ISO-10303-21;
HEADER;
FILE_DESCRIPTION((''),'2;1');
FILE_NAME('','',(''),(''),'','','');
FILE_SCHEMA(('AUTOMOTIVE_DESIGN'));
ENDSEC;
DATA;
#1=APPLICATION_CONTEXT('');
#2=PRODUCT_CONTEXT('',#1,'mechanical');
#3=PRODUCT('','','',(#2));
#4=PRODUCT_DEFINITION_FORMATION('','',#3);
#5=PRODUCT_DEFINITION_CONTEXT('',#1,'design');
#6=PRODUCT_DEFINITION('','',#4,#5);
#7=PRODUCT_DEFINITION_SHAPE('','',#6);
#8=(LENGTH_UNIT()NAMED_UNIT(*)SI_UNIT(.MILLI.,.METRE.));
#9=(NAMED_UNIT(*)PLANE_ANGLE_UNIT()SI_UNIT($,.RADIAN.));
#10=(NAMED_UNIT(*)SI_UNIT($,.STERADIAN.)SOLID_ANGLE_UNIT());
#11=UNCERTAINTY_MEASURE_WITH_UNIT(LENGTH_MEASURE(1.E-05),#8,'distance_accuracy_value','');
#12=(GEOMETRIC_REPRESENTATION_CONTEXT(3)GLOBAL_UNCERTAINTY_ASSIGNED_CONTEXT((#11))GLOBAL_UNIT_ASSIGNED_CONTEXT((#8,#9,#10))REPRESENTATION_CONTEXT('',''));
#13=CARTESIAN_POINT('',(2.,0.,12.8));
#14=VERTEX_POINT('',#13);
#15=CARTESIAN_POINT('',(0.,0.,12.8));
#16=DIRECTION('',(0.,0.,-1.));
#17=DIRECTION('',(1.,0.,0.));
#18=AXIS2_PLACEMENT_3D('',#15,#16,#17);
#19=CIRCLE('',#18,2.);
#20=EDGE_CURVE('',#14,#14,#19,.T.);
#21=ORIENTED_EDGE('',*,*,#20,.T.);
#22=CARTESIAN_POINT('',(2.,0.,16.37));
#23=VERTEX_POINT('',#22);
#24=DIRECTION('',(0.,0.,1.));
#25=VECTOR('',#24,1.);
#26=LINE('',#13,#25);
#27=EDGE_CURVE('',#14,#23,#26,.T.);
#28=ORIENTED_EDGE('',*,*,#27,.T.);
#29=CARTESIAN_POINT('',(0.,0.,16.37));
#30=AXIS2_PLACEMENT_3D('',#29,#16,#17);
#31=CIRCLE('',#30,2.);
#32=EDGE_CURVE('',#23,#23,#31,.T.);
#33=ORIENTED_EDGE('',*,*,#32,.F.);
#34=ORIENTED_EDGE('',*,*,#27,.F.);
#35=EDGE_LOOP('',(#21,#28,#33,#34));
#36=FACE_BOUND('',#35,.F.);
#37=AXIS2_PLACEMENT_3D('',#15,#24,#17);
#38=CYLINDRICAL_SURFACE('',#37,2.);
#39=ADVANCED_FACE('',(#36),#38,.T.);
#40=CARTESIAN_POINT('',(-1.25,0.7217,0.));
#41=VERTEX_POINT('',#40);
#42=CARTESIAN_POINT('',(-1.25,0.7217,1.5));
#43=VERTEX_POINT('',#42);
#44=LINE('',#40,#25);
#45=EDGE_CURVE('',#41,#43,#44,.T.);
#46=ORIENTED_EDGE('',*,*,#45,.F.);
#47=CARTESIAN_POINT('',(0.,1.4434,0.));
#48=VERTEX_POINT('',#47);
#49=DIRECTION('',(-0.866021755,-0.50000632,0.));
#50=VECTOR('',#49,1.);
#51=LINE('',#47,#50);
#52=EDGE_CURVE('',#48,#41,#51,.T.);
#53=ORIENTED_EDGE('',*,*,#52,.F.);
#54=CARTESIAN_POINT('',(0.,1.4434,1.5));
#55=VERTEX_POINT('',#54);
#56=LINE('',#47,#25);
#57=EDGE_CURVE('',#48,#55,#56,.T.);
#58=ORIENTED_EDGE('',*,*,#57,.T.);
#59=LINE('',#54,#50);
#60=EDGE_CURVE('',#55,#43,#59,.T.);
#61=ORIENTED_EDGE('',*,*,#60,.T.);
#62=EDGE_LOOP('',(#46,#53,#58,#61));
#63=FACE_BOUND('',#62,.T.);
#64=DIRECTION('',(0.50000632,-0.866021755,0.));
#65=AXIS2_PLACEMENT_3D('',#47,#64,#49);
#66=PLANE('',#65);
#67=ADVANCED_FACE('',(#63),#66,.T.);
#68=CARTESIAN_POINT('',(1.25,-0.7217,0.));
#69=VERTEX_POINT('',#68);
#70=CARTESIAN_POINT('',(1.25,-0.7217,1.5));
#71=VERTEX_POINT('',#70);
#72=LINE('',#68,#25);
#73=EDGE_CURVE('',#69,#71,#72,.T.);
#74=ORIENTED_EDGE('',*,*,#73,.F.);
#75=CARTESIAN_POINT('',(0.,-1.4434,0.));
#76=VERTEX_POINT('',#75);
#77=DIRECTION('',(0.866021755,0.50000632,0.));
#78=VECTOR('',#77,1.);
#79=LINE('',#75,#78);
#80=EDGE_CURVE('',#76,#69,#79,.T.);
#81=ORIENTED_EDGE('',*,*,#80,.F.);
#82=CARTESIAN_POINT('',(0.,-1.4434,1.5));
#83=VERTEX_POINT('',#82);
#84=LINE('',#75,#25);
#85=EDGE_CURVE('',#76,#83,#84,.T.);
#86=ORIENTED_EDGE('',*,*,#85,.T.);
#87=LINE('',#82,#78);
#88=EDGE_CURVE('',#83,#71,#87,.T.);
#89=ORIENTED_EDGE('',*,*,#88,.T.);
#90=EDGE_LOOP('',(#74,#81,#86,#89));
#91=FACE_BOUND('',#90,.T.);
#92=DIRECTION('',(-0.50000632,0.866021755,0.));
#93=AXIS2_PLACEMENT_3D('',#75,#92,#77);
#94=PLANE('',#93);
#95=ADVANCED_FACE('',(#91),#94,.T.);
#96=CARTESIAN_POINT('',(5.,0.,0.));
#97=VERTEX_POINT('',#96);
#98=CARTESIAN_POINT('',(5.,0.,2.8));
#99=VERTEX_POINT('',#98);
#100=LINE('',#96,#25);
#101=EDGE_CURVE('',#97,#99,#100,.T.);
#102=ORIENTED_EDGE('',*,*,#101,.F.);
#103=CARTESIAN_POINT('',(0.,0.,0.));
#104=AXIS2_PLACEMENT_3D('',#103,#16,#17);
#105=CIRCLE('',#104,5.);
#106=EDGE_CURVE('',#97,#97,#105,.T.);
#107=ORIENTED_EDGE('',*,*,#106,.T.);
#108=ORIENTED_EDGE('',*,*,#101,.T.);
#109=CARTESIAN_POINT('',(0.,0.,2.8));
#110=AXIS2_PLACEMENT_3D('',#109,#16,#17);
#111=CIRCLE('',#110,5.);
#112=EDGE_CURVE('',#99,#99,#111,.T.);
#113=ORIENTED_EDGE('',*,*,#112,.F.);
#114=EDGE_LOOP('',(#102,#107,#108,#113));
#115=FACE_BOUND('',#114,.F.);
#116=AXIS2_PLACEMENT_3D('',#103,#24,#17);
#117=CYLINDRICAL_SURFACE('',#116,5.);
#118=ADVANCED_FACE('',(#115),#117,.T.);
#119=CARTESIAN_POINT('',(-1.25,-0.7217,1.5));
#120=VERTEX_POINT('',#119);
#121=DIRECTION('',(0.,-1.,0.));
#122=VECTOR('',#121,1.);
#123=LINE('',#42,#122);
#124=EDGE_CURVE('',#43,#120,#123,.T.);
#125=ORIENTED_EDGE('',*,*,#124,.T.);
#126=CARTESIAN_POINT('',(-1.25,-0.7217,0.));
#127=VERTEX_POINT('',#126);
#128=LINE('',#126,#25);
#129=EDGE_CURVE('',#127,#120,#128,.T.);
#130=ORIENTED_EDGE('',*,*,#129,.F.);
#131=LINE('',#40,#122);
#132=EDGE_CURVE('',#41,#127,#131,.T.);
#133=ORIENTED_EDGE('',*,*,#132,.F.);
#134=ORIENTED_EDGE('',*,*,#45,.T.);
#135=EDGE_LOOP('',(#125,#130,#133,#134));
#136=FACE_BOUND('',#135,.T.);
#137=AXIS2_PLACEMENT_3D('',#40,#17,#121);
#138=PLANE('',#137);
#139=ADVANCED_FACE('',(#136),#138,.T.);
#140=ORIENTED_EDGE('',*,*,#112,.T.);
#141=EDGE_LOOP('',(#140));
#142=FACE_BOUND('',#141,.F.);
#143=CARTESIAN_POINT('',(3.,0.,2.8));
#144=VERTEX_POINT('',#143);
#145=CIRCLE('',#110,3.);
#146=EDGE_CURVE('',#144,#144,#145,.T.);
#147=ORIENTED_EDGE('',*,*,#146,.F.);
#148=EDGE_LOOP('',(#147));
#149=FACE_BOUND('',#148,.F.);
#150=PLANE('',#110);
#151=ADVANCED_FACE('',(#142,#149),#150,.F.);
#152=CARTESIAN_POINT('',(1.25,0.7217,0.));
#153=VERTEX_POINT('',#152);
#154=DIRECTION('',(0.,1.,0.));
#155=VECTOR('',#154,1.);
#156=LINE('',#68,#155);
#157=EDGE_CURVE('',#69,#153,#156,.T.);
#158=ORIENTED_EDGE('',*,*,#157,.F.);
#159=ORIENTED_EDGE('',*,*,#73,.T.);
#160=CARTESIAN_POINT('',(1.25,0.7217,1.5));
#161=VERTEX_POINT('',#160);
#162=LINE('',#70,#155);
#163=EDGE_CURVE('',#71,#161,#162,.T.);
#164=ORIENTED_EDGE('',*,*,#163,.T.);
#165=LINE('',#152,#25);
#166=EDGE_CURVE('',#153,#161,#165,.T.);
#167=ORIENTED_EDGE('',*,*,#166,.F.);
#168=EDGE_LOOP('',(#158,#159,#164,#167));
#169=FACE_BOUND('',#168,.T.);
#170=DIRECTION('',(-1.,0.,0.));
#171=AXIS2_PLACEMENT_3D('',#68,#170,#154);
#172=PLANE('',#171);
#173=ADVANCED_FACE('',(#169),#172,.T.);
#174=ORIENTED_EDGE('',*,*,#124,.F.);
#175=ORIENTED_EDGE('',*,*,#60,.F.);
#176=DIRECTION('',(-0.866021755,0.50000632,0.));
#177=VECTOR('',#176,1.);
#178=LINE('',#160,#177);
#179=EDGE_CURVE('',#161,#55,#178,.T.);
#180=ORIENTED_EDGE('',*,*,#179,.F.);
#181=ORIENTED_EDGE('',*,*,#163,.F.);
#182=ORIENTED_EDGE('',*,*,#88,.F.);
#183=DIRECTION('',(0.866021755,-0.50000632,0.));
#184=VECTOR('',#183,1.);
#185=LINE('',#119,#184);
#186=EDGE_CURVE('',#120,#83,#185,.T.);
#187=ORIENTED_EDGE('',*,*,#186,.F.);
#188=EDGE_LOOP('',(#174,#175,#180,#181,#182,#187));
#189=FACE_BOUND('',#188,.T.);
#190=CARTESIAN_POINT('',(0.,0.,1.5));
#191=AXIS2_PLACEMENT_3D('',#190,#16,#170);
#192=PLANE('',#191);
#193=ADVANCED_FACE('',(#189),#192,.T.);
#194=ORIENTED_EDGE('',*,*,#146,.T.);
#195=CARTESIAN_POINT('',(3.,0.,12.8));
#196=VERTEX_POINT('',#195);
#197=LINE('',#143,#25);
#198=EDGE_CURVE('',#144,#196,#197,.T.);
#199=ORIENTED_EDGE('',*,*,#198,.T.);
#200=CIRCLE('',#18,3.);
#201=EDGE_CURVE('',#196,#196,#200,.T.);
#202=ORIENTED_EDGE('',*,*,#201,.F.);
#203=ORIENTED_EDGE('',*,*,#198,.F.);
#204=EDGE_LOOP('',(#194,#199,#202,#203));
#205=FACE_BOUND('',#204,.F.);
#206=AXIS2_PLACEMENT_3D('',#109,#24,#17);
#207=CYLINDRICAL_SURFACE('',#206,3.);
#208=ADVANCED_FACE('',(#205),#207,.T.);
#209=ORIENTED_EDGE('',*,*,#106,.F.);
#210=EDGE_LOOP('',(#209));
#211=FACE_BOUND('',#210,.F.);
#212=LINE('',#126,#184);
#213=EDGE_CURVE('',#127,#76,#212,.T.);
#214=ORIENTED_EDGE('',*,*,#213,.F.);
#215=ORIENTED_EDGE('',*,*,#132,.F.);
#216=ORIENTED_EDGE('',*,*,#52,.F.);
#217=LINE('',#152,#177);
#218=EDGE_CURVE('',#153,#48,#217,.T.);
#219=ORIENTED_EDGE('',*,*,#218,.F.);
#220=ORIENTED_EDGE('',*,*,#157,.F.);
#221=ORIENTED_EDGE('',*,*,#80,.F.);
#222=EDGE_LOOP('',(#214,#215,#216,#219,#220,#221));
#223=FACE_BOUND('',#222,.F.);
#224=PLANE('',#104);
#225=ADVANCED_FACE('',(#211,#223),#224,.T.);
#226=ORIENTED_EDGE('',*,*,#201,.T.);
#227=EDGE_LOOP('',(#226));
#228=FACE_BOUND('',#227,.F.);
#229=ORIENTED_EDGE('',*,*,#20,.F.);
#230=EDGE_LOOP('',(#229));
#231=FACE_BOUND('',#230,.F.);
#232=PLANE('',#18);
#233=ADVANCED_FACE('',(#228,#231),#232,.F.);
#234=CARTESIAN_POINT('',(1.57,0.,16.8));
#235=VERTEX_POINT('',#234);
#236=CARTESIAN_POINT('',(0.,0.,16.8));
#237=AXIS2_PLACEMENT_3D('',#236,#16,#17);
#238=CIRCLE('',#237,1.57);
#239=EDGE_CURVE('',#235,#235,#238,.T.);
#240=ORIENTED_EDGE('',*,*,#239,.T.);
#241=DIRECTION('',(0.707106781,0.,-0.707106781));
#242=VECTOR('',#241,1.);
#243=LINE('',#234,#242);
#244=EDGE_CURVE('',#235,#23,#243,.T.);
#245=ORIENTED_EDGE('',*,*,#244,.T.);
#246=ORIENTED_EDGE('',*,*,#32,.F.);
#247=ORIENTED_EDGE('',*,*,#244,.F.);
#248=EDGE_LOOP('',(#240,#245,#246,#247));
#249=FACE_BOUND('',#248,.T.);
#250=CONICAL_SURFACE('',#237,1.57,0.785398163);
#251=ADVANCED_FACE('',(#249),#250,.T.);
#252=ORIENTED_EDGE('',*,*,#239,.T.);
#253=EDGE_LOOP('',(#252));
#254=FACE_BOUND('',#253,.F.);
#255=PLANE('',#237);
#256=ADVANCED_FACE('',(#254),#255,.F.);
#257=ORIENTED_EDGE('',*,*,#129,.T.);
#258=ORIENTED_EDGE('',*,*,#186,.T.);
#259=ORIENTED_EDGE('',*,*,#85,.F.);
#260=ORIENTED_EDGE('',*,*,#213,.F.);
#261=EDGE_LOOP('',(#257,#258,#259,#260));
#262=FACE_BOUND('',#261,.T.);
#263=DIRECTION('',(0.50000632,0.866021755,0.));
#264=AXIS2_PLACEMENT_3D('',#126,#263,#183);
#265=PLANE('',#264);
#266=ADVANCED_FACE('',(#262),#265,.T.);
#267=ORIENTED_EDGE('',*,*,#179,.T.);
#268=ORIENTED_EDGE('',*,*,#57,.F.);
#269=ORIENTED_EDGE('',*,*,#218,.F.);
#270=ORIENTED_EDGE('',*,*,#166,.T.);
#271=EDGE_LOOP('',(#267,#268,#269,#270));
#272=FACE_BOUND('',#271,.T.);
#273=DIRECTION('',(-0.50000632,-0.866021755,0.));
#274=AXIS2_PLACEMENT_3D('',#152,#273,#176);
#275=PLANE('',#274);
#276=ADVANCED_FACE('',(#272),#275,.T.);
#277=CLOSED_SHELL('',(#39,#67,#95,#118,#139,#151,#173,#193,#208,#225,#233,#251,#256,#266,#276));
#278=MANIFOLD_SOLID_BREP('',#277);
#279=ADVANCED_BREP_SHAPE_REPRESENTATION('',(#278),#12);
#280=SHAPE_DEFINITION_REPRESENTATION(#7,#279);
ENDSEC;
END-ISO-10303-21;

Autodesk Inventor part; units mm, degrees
ref_plane "YZ Plane" through (0, 0, 0) normal (1, 0, 0) x (0, 1, 0)
ref_plane "XZ Plane" through (0, 0, 0) normal (0, 1, 0) x (-1, 0, 0)
ref_plane "XY Plane" through (0, 0, 0) normal (0, 0, 1) x (1, 0, 0)
sketch "スケッチ1" plane through (0, 0, 0) normal (0, 1, 0) x (-1, 0, 0)
  line L0 (0, 0) -> (-5, 0)
  line L1 (-5, 0) -> (-5, 2.8)
  line L2 (-5, 2.8) -> (-3, 2.8)
  line L3 (-3, 2.8) -> (-3, 12.8)
  line L4 (-3, 12.8) -> (-2, 12.8)
  line L5 (-2, 12.8) -> (-2, 16.37)
  line L6 (-1.57, 16.8) -> (0, 16.8)
  line L7 (0, 16.8) -> (0, 0)
  line L8 (-1.57, 16.8) -> (-2, 16.37)
  point P0 (-2, 16.8)
  dimension "d0" = 4
  dimension "d1" = 10
  dimension "d2" = 2.8
  dimension "d3" = 0.43
  dimension "d4" = 0.43
  dimension "d5" = 4
  dimension "d6" = 10
  dimension "d7" = 6
revolve "回転1" add sketch "スケッチ1" angle 360 about axis through (0, 0, 16.8) along (0, 0, -1)
thread "ねじ1" size "M4x0.7" class "6g" standard "ANSI Metric M Profile" length 7.57 offset 1.2
sketch "スケッチ2" plane through (0, 0, 0) normal (0, 0, -1) x (-1, 0, 0)
  line L0 (0, -1.4434) -> (-1.25, -0.7217)
  line L1 (-1.25, -0.7217) -> (-1.25, 0.7217)
  line L2 (-1.25, 0.7217) -> (0, 1.4434)
  line L3 (0, 1.4434) -> (1.25, 0.7217)
  line L4 (1.25, 0.7217) -> (1.25, -0.7217)
  line L5 (1.25, -0.7217) -> (0, -1.4434)
  point P0 (0, 0)
  point P1 (0, 0)
  dimension "d11" = 2.5
extrude "押し出し1" cut sketch "スケッチ2" against normal blind 1.5
equation "\"d4\" = d3"
properties part number "DBTS4-10-4" material "ステンレス鋼 AISI 304"
